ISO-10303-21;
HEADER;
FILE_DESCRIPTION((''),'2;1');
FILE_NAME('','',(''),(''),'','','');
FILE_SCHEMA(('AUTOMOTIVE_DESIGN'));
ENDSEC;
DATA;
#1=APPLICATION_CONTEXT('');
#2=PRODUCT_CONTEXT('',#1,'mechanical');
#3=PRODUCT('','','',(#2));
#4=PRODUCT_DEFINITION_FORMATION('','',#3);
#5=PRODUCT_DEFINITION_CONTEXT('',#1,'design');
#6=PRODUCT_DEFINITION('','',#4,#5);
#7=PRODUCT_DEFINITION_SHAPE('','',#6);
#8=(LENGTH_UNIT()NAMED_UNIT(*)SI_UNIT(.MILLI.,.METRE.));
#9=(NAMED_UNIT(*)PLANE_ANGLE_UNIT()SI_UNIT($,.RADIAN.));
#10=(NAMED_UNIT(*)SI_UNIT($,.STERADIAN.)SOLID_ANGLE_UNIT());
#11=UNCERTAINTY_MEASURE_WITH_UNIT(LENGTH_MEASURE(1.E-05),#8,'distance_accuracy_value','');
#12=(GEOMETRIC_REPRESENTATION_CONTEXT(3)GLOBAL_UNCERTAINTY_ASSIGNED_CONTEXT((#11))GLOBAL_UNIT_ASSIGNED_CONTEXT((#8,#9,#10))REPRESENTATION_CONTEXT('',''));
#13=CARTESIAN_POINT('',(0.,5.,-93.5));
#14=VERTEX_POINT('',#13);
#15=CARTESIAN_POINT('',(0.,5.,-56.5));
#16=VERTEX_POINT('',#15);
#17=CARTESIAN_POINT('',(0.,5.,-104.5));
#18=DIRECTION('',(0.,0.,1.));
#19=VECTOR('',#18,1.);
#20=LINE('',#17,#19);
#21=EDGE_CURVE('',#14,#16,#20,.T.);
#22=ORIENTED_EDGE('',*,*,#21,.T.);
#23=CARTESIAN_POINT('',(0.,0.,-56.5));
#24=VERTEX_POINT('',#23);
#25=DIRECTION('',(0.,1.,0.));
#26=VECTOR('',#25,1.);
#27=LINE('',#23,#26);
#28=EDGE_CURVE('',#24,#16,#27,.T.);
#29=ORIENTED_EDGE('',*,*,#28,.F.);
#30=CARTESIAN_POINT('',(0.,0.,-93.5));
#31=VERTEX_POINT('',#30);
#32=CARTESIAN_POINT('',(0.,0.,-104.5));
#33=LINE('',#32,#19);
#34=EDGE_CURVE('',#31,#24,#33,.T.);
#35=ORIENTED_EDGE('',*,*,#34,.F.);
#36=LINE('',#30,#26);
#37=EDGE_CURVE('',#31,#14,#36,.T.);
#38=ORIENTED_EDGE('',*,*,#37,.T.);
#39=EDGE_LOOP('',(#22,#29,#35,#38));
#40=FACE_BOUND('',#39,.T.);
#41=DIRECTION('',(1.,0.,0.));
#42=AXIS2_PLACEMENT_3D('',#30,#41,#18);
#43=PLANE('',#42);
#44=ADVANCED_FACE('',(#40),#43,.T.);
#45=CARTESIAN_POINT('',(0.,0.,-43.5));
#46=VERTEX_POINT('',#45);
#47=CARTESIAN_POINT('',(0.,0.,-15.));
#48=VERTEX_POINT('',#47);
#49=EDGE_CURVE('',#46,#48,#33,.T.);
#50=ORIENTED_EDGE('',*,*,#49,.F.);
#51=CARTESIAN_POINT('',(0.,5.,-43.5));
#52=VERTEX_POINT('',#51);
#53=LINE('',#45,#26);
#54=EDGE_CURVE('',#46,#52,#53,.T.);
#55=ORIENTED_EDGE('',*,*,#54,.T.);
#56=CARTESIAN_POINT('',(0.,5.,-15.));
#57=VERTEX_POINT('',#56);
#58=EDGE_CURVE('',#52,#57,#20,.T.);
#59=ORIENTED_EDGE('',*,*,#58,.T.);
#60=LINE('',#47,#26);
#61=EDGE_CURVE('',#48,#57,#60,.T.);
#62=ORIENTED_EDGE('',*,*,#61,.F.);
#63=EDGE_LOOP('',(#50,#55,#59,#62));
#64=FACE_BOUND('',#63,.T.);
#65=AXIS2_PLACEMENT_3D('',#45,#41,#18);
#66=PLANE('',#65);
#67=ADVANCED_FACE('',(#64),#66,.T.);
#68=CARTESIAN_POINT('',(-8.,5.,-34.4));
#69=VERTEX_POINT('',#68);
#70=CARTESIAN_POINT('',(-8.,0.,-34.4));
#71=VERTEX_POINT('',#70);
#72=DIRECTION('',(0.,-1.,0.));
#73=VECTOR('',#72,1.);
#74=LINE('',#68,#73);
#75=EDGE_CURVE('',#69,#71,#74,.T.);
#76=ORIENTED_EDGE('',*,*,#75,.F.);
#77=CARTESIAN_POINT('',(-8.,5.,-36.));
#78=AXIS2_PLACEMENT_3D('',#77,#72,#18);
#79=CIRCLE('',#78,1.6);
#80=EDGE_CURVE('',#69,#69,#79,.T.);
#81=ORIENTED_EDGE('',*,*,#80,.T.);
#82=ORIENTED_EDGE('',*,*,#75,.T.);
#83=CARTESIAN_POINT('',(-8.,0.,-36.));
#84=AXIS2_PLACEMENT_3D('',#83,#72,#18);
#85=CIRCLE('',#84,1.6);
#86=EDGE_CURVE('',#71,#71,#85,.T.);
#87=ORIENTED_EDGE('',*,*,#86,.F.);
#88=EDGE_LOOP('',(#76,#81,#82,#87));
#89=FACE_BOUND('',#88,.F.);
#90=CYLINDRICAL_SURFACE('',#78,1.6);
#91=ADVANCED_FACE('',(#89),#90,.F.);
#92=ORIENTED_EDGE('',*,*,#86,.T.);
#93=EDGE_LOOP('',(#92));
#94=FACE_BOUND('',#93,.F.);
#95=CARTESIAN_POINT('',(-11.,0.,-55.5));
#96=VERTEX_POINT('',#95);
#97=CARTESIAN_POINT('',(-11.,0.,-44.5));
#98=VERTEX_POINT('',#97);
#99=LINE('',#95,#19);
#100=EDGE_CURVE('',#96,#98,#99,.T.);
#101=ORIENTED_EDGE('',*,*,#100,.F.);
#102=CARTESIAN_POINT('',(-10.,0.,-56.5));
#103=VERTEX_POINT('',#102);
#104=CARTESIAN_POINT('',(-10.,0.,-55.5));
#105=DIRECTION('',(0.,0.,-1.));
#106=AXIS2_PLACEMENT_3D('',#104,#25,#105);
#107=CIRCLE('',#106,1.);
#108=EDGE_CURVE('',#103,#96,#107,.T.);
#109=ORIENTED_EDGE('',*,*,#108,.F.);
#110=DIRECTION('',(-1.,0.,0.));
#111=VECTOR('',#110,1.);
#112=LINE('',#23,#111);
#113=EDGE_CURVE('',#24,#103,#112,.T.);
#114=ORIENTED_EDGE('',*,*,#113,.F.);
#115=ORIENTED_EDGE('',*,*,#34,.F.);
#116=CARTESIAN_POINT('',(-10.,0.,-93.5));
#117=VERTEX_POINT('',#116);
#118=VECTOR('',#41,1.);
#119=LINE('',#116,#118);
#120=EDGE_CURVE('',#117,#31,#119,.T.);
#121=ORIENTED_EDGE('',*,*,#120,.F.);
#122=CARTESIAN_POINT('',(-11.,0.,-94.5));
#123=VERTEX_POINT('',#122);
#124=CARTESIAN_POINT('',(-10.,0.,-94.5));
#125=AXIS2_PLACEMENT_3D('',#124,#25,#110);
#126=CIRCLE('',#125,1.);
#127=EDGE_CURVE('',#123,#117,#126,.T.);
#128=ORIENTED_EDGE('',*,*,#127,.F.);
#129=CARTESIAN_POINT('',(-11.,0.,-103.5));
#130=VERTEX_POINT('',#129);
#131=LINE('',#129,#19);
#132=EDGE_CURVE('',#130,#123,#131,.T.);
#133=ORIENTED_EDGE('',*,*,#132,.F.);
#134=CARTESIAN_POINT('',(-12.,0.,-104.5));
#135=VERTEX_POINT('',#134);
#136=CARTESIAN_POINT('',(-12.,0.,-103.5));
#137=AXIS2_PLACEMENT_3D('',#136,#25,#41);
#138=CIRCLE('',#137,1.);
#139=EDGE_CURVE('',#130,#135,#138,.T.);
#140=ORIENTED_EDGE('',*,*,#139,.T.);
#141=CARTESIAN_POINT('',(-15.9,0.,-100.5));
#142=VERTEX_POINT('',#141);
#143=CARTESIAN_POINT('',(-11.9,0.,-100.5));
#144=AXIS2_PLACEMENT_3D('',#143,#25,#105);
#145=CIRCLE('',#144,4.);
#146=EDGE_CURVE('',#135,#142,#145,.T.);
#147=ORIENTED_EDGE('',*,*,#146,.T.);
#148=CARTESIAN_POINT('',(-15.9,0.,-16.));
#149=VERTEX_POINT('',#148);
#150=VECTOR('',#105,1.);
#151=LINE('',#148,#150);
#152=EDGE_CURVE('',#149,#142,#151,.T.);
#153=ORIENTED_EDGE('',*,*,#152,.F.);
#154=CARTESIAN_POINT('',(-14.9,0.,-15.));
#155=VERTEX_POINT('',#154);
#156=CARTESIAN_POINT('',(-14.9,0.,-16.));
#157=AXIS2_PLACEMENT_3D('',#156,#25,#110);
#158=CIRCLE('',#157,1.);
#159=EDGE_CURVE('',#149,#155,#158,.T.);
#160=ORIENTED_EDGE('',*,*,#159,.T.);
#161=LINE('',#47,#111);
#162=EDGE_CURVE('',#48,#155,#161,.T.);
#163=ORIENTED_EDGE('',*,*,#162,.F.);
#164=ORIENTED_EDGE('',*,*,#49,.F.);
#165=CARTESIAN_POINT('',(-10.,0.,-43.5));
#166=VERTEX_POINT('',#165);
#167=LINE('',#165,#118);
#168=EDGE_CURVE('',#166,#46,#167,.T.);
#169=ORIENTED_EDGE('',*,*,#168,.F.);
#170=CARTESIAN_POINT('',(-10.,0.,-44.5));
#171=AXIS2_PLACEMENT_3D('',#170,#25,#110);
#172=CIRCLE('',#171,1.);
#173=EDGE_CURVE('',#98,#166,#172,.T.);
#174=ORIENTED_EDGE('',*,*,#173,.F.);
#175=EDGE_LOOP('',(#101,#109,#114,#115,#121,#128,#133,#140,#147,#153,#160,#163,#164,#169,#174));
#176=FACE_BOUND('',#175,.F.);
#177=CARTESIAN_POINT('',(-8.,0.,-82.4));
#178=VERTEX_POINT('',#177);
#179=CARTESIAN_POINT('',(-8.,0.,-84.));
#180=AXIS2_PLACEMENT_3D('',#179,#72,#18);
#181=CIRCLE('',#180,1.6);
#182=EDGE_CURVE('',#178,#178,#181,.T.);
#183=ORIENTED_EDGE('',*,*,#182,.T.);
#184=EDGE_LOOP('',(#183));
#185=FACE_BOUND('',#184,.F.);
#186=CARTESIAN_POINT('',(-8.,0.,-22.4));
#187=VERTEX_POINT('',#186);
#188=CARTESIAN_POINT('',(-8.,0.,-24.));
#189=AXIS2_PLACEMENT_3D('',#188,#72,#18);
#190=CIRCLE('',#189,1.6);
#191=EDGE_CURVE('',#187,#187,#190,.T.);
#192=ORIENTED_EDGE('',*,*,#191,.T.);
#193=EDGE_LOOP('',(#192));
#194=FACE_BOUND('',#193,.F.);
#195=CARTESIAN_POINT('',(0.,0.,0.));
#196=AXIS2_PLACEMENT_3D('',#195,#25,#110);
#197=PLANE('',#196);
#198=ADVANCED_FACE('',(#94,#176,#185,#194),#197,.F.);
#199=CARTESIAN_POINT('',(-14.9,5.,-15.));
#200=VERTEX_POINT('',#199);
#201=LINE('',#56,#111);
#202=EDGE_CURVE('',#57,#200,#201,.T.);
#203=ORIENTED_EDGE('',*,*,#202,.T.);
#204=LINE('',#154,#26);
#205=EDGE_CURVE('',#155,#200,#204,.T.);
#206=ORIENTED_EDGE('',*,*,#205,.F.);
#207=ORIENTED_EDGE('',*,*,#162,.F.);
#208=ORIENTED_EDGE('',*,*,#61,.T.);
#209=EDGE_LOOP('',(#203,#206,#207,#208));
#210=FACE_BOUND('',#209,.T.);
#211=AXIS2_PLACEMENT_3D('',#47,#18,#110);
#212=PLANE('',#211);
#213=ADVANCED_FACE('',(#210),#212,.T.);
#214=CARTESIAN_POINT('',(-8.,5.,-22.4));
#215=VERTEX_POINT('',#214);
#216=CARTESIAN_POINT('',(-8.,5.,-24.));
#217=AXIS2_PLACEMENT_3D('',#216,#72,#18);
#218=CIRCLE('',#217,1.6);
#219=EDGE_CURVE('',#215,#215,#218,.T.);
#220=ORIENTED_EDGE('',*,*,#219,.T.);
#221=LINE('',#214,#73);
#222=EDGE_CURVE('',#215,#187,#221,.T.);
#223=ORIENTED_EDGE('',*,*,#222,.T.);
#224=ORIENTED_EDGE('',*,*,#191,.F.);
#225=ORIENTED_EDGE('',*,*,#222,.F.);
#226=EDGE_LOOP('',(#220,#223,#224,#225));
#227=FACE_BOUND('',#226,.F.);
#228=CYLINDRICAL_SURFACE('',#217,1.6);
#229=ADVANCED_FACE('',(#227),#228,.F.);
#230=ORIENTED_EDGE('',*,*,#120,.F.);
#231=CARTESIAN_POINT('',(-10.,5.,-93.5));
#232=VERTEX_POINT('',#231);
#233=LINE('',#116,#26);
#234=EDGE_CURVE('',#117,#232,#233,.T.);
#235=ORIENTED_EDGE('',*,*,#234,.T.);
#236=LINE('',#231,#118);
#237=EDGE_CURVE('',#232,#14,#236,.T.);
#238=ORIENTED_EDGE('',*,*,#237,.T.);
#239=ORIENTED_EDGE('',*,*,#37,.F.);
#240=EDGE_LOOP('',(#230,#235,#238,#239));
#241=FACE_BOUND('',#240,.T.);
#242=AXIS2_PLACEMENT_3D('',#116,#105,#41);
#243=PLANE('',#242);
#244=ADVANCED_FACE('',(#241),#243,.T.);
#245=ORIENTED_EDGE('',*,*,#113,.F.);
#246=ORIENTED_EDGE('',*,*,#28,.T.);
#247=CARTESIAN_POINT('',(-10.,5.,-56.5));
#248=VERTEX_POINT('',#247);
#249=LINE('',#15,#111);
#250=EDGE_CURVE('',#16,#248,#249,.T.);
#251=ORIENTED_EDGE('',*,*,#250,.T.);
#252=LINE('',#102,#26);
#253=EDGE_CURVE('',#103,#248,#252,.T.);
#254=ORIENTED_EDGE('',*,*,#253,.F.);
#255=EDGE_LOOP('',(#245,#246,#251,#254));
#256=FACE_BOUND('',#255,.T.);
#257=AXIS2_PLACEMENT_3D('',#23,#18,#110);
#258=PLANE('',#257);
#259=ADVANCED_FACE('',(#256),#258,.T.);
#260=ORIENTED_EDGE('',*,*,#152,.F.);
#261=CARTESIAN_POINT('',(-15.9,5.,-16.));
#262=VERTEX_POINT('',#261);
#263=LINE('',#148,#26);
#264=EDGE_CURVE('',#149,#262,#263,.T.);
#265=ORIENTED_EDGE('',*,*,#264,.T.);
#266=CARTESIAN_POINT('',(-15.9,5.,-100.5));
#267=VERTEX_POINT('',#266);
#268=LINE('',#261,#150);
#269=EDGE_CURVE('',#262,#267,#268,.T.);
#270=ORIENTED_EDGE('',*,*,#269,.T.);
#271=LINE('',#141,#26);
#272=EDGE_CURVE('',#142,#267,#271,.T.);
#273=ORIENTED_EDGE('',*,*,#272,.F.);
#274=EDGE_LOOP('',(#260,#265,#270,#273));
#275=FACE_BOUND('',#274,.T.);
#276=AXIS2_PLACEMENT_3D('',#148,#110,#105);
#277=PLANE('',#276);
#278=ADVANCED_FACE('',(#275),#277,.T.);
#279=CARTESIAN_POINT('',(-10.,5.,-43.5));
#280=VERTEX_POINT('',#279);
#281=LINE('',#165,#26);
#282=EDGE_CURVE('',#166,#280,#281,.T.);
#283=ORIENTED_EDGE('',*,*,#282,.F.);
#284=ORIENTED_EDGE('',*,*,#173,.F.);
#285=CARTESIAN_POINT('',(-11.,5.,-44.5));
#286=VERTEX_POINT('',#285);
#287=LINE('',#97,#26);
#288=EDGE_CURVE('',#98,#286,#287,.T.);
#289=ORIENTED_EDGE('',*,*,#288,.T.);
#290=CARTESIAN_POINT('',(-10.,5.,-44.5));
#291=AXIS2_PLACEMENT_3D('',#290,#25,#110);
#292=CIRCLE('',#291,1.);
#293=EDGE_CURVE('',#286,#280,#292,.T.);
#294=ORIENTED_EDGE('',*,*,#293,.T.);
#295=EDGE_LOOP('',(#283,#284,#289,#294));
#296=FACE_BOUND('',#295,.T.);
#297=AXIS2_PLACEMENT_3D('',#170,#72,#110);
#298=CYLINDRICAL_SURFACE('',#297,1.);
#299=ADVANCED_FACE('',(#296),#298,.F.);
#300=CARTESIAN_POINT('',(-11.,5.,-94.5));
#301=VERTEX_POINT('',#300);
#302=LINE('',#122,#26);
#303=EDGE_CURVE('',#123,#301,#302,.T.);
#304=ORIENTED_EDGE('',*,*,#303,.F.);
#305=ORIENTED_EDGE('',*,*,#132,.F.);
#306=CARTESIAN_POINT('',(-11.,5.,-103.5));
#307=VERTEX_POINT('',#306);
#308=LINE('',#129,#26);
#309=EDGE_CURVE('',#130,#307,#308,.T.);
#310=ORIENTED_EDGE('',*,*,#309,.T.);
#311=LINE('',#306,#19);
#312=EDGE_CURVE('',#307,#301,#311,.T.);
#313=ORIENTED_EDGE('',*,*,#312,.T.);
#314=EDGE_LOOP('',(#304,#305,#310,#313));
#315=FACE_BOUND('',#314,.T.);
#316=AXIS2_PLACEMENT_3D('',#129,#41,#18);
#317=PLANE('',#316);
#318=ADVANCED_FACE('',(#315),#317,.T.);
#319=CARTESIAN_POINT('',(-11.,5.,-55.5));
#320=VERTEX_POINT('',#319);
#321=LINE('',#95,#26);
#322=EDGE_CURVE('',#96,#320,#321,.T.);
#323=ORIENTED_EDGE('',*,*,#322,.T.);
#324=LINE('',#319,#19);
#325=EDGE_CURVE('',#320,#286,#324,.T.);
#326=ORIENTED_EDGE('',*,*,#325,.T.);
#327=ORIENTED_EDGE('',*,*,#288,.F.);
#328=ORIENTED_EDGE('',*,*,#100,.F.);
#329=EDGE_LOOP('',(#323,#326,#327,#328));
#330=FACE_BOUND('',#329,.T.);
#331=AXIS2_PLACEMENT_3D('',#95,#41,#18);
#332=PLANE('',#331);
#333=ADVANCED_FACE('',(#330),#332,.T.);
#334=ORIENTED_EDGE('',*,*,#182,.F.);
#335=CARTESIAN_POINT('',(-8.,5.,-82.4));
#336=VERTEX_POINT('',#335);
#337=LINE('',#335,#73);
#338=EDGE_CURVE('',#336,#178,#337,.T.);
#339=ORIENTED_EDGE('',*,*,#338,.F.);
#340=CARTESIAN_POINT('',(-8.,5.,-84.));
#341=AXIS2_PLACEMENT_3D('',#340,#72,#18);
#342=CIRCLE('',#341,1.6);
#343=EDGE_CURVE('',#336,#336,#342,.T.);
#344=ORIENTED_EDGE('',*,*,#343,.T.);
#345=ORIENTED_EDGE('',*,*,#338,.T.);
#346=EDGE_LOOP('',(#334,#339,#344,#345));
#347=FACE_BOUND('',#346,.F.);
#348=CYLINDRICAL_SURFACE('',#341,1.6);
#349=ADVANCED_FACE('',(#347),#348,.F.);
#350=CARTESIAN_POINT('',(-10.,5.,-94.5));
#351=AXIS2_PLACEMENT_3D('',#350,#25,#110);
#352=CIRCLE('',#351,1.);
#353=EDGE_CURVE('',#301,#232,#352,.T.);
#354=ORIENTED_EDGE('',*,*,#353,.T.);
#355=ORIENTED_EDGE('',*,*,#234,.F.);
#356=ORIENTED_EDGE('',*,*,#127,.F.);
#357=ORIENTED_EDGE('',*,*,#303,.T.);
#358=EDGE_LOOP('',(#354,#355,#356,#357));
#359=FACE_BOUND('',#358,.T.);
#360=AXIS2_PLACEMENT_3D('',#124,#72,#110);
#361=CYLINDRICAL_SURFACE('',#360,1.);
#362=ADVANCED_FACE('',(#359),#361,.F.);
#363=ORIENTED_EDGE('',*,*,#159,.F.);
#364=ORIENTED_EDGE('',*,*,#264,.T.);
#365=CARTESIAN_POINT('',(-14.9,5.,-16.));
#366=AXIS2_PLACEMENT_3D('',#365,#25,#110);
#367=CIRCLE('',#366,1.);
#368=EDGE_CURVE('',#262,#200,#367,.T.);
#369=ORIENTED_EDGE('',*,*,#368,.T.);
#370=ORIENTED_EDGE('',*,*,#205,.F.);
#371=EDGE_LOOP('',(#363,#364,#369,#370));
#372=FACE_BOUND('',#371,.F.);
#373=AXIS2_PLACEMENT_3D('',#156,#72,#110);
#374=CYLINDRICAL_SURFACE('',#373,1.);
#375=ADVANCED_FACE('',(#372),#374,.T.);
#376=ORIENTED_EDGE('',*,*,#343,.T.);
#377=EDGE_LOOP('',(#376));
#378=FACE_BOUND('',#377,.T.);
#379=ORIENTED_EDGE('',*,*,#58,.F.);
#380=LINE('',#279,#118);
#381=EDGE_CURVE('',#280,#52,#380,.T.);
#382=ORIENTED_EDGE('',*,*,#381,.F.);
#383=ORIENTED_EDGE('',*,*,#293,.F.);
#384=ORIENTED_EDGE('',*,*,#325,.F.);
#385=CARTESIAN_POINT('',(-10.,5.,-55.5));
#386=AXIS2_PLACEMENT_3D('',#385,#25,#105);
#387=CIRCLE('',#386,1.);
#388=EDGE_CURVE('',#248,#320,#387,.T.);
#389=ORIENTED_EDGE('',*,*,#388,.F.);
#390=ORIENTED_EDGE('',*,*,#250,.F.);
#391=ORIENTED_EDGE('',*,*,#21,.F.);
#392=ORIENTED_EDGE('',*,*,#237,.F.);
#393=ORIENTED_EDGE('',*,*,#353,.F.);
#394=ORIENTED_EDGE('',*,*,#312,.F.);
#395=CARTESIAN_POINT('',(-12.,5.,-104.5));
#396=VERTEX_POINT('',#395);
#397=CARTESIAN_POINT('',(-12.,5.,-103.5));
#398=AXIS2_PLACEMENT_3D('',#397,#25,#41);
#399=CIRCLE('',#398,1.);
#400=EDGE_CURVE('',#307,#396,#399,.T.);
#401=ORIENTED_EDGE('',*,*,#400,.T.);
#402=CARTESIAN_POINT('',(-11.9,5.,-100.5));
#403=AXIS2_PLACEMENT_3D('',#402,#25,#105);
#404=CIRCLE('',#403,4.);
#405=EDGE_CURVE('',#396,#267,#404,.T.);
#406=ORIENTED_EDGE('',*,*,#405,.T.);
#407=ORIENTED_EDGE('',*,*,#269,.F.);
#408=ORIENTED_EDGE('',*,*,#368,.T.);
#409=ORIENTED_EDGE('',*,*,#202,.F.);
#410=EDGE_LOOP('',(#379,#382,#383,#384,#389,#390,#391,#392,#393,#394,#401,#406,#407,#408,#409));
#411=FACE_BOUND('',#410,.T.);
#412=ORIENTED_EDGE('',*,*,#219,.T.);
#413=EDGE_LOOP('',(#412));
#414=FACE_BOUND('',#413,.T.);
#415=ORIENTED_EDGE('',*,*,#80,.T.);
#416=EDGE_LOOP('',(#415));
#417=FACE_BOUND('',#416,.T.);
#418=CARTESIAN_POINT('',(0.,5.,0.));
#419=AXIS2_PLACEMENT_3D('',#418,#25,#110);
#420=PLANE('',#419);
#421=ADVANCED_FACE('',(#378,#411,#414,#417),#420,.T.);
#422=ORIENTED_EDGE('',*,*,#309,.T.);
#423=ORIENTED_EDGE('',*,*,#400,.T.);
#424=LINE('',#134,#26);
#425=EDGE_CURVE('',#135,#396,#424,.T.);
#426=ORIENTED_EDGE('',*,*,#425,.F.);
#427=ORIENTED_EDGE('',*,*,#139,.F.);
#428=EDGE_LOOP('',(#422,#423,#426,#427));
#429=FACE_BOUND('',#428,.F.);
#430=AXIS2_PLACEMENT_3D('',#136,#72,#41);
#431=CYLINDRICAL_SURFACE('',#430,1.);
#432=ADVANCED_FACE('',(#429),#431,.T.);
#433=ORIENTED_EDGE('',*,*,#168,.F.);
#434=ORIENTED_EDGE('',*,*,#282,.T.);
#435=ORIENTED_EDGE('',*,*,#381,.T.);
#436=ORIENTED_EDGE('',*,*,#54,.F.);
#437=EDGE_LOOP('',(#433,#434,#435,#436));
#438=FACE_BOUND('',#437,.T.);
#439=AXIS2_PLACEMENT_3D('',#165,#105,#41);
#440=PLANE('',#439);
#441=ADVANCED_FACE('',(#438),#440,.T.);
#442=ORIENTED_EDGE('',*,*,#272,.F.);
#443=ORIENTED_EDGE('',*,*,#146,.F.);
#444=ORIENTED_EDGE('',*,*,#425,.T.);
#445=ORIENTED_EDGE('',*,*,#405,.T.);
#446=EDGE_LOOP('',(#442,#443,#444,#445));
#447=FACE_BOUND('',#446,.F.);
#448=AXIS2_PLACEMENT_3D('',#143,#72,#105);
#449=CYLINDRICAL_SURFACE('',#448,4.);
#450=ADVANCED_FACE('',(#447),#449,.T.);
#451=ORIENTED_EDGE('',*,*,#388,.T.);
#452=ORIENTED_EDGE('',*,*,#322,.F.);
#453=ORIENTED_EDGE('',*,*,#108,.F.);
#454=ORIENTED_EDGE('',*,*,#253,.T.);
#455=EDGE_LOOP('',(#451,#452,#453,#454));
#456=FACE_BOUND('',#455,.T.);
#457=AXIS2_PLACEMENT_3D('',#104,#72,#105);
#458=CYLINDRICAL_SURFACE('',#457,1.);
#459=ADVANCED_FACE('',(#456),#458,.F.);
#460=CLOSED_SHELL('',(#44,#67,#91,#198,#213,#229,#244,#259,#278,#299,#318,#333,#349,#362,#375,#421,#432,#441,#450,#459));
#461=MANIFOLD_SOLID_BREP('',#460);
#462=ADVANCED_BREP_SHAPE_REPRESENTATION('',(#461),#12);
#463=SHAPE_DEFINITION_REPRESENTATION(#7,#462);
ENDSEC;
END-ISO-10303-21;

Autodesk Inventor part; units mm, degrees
ref_plane "YZ Plane" through (0, 0, 0) normal (1, 0, 0) x (0, 1, 0)
ref_plane "XZ Plane" through (0, 0, 0) normal (0, 1, 0) x (-1, 0, 0)
ref_plane "XY Plane" through (0, 0, 0) normal (0, 0, 1) x (1, 0, 0)
sketch "Sketch1" plane through (0, 0, 0) normal (0, 1, 0) x (-1, 0, 0)
  line L0 (0, 0) -> (15.9, 0)
  line L1 (15.9, -16) -> (15.9, -100.5)
  line L2 (10, -104.5) -> (0, -104.5)
  line L3 (0, -104.5) -> (0, 0)
  line L4 (0, -104.5) -> (11, -104.5)
  line L5 (11, -103.5) -> (11, -94.5)
  line L6 (10, -93.5) -> (0, -93.5)
  line L7 (0, -93.5) -> (0, -104.5)
  line L8 (10, -43.5) -> (0, -43.5)
  line L9 (0, -43.5) -> (0, -56.5)
  line L10 (0, -56.5) -> (10, -56.5)
  line L11 (11, -55.5) -> (11, -44.5)
  line L12 (15.9, 0) -> (0, 0)
  line L13 (0, 0) -> (0, -15)
  line L14 (0, -15) -> (14.9, -15)
  line L15 (15.9, -15) -> (15.9, 0)
  arc A0 (11.9, -104.5) -> (15.9, -100.5) centre (11.9, -100.5) ccw
  arc A1 (15.9, -16) -> (14.9, -15) centre (14.9, -16) ccw
  arc A2 (11, -44.5) -> (10, -43.5) centre (10, -44.5) ccw
  arc A3 (10, -56.5) -> (11, -55.5) centre (10, -55.5) ccw
  arc A4 (11, -94.5) -> (10, -93.5) centre (10, -94.5) ccw
  line L16 (11.9, -104.5) -> (12, -104.5)
  arc A5 (11, -103.5) -> (12, -104.5) centre (12, -103.5) ccw
  point P0 (15.9, -104.5)
  point P1 (11, -93.5)
  point P2 (11, -43.5)
  point P3 (11, -56.5)
  point P4 (0, -43.5)
  point P5 (0, -56.5)
  point P6 (11.9667, -104.4994)
  dimension "d0" = 15.9
  dimension "d1" = 104.5
  dimension "d2" = 11
  dimension "d3" = 11
  dimension "d4" = 11
  dimension "d5" = 13
  dimension "d6" = 56.5
  dimension "d7" = 15
  dimension "d8" = 4
  dimension "d9" = 1
  dimension "d22" = 1
extrude "Extrusion1" add sketch "Sketch1" along normal blind 5 contours L1 A0 A5 L5 A4 L6 L3 L10 A3 L11 A2 L8 L14 A1
sketch "Sketch2" plane through (0, 5, 0) normal (0, 1, 0) x (1, 0, 0)
  line L0 (-8, -6.918) -> (-8, 116.4057) construction
  line L1 (0, 15) -> (0, 43.5) construction
  point P0 (0, 0)
  point P1 (-8, 84)
  point P2 (-8, 36)
  point P3 (-8, 24)
  dimension "d12" = 8
  dimension "d13" = 36
  dimension "d14" = 84
  dimension "d23" = 24
hole "Hole1" at (-8, 5, -84) at (-8, 5, -36) at (-8, 5, -24) direction (0, -1, 0) diameter 3.2 end through all
properties part number "Lower slide"
